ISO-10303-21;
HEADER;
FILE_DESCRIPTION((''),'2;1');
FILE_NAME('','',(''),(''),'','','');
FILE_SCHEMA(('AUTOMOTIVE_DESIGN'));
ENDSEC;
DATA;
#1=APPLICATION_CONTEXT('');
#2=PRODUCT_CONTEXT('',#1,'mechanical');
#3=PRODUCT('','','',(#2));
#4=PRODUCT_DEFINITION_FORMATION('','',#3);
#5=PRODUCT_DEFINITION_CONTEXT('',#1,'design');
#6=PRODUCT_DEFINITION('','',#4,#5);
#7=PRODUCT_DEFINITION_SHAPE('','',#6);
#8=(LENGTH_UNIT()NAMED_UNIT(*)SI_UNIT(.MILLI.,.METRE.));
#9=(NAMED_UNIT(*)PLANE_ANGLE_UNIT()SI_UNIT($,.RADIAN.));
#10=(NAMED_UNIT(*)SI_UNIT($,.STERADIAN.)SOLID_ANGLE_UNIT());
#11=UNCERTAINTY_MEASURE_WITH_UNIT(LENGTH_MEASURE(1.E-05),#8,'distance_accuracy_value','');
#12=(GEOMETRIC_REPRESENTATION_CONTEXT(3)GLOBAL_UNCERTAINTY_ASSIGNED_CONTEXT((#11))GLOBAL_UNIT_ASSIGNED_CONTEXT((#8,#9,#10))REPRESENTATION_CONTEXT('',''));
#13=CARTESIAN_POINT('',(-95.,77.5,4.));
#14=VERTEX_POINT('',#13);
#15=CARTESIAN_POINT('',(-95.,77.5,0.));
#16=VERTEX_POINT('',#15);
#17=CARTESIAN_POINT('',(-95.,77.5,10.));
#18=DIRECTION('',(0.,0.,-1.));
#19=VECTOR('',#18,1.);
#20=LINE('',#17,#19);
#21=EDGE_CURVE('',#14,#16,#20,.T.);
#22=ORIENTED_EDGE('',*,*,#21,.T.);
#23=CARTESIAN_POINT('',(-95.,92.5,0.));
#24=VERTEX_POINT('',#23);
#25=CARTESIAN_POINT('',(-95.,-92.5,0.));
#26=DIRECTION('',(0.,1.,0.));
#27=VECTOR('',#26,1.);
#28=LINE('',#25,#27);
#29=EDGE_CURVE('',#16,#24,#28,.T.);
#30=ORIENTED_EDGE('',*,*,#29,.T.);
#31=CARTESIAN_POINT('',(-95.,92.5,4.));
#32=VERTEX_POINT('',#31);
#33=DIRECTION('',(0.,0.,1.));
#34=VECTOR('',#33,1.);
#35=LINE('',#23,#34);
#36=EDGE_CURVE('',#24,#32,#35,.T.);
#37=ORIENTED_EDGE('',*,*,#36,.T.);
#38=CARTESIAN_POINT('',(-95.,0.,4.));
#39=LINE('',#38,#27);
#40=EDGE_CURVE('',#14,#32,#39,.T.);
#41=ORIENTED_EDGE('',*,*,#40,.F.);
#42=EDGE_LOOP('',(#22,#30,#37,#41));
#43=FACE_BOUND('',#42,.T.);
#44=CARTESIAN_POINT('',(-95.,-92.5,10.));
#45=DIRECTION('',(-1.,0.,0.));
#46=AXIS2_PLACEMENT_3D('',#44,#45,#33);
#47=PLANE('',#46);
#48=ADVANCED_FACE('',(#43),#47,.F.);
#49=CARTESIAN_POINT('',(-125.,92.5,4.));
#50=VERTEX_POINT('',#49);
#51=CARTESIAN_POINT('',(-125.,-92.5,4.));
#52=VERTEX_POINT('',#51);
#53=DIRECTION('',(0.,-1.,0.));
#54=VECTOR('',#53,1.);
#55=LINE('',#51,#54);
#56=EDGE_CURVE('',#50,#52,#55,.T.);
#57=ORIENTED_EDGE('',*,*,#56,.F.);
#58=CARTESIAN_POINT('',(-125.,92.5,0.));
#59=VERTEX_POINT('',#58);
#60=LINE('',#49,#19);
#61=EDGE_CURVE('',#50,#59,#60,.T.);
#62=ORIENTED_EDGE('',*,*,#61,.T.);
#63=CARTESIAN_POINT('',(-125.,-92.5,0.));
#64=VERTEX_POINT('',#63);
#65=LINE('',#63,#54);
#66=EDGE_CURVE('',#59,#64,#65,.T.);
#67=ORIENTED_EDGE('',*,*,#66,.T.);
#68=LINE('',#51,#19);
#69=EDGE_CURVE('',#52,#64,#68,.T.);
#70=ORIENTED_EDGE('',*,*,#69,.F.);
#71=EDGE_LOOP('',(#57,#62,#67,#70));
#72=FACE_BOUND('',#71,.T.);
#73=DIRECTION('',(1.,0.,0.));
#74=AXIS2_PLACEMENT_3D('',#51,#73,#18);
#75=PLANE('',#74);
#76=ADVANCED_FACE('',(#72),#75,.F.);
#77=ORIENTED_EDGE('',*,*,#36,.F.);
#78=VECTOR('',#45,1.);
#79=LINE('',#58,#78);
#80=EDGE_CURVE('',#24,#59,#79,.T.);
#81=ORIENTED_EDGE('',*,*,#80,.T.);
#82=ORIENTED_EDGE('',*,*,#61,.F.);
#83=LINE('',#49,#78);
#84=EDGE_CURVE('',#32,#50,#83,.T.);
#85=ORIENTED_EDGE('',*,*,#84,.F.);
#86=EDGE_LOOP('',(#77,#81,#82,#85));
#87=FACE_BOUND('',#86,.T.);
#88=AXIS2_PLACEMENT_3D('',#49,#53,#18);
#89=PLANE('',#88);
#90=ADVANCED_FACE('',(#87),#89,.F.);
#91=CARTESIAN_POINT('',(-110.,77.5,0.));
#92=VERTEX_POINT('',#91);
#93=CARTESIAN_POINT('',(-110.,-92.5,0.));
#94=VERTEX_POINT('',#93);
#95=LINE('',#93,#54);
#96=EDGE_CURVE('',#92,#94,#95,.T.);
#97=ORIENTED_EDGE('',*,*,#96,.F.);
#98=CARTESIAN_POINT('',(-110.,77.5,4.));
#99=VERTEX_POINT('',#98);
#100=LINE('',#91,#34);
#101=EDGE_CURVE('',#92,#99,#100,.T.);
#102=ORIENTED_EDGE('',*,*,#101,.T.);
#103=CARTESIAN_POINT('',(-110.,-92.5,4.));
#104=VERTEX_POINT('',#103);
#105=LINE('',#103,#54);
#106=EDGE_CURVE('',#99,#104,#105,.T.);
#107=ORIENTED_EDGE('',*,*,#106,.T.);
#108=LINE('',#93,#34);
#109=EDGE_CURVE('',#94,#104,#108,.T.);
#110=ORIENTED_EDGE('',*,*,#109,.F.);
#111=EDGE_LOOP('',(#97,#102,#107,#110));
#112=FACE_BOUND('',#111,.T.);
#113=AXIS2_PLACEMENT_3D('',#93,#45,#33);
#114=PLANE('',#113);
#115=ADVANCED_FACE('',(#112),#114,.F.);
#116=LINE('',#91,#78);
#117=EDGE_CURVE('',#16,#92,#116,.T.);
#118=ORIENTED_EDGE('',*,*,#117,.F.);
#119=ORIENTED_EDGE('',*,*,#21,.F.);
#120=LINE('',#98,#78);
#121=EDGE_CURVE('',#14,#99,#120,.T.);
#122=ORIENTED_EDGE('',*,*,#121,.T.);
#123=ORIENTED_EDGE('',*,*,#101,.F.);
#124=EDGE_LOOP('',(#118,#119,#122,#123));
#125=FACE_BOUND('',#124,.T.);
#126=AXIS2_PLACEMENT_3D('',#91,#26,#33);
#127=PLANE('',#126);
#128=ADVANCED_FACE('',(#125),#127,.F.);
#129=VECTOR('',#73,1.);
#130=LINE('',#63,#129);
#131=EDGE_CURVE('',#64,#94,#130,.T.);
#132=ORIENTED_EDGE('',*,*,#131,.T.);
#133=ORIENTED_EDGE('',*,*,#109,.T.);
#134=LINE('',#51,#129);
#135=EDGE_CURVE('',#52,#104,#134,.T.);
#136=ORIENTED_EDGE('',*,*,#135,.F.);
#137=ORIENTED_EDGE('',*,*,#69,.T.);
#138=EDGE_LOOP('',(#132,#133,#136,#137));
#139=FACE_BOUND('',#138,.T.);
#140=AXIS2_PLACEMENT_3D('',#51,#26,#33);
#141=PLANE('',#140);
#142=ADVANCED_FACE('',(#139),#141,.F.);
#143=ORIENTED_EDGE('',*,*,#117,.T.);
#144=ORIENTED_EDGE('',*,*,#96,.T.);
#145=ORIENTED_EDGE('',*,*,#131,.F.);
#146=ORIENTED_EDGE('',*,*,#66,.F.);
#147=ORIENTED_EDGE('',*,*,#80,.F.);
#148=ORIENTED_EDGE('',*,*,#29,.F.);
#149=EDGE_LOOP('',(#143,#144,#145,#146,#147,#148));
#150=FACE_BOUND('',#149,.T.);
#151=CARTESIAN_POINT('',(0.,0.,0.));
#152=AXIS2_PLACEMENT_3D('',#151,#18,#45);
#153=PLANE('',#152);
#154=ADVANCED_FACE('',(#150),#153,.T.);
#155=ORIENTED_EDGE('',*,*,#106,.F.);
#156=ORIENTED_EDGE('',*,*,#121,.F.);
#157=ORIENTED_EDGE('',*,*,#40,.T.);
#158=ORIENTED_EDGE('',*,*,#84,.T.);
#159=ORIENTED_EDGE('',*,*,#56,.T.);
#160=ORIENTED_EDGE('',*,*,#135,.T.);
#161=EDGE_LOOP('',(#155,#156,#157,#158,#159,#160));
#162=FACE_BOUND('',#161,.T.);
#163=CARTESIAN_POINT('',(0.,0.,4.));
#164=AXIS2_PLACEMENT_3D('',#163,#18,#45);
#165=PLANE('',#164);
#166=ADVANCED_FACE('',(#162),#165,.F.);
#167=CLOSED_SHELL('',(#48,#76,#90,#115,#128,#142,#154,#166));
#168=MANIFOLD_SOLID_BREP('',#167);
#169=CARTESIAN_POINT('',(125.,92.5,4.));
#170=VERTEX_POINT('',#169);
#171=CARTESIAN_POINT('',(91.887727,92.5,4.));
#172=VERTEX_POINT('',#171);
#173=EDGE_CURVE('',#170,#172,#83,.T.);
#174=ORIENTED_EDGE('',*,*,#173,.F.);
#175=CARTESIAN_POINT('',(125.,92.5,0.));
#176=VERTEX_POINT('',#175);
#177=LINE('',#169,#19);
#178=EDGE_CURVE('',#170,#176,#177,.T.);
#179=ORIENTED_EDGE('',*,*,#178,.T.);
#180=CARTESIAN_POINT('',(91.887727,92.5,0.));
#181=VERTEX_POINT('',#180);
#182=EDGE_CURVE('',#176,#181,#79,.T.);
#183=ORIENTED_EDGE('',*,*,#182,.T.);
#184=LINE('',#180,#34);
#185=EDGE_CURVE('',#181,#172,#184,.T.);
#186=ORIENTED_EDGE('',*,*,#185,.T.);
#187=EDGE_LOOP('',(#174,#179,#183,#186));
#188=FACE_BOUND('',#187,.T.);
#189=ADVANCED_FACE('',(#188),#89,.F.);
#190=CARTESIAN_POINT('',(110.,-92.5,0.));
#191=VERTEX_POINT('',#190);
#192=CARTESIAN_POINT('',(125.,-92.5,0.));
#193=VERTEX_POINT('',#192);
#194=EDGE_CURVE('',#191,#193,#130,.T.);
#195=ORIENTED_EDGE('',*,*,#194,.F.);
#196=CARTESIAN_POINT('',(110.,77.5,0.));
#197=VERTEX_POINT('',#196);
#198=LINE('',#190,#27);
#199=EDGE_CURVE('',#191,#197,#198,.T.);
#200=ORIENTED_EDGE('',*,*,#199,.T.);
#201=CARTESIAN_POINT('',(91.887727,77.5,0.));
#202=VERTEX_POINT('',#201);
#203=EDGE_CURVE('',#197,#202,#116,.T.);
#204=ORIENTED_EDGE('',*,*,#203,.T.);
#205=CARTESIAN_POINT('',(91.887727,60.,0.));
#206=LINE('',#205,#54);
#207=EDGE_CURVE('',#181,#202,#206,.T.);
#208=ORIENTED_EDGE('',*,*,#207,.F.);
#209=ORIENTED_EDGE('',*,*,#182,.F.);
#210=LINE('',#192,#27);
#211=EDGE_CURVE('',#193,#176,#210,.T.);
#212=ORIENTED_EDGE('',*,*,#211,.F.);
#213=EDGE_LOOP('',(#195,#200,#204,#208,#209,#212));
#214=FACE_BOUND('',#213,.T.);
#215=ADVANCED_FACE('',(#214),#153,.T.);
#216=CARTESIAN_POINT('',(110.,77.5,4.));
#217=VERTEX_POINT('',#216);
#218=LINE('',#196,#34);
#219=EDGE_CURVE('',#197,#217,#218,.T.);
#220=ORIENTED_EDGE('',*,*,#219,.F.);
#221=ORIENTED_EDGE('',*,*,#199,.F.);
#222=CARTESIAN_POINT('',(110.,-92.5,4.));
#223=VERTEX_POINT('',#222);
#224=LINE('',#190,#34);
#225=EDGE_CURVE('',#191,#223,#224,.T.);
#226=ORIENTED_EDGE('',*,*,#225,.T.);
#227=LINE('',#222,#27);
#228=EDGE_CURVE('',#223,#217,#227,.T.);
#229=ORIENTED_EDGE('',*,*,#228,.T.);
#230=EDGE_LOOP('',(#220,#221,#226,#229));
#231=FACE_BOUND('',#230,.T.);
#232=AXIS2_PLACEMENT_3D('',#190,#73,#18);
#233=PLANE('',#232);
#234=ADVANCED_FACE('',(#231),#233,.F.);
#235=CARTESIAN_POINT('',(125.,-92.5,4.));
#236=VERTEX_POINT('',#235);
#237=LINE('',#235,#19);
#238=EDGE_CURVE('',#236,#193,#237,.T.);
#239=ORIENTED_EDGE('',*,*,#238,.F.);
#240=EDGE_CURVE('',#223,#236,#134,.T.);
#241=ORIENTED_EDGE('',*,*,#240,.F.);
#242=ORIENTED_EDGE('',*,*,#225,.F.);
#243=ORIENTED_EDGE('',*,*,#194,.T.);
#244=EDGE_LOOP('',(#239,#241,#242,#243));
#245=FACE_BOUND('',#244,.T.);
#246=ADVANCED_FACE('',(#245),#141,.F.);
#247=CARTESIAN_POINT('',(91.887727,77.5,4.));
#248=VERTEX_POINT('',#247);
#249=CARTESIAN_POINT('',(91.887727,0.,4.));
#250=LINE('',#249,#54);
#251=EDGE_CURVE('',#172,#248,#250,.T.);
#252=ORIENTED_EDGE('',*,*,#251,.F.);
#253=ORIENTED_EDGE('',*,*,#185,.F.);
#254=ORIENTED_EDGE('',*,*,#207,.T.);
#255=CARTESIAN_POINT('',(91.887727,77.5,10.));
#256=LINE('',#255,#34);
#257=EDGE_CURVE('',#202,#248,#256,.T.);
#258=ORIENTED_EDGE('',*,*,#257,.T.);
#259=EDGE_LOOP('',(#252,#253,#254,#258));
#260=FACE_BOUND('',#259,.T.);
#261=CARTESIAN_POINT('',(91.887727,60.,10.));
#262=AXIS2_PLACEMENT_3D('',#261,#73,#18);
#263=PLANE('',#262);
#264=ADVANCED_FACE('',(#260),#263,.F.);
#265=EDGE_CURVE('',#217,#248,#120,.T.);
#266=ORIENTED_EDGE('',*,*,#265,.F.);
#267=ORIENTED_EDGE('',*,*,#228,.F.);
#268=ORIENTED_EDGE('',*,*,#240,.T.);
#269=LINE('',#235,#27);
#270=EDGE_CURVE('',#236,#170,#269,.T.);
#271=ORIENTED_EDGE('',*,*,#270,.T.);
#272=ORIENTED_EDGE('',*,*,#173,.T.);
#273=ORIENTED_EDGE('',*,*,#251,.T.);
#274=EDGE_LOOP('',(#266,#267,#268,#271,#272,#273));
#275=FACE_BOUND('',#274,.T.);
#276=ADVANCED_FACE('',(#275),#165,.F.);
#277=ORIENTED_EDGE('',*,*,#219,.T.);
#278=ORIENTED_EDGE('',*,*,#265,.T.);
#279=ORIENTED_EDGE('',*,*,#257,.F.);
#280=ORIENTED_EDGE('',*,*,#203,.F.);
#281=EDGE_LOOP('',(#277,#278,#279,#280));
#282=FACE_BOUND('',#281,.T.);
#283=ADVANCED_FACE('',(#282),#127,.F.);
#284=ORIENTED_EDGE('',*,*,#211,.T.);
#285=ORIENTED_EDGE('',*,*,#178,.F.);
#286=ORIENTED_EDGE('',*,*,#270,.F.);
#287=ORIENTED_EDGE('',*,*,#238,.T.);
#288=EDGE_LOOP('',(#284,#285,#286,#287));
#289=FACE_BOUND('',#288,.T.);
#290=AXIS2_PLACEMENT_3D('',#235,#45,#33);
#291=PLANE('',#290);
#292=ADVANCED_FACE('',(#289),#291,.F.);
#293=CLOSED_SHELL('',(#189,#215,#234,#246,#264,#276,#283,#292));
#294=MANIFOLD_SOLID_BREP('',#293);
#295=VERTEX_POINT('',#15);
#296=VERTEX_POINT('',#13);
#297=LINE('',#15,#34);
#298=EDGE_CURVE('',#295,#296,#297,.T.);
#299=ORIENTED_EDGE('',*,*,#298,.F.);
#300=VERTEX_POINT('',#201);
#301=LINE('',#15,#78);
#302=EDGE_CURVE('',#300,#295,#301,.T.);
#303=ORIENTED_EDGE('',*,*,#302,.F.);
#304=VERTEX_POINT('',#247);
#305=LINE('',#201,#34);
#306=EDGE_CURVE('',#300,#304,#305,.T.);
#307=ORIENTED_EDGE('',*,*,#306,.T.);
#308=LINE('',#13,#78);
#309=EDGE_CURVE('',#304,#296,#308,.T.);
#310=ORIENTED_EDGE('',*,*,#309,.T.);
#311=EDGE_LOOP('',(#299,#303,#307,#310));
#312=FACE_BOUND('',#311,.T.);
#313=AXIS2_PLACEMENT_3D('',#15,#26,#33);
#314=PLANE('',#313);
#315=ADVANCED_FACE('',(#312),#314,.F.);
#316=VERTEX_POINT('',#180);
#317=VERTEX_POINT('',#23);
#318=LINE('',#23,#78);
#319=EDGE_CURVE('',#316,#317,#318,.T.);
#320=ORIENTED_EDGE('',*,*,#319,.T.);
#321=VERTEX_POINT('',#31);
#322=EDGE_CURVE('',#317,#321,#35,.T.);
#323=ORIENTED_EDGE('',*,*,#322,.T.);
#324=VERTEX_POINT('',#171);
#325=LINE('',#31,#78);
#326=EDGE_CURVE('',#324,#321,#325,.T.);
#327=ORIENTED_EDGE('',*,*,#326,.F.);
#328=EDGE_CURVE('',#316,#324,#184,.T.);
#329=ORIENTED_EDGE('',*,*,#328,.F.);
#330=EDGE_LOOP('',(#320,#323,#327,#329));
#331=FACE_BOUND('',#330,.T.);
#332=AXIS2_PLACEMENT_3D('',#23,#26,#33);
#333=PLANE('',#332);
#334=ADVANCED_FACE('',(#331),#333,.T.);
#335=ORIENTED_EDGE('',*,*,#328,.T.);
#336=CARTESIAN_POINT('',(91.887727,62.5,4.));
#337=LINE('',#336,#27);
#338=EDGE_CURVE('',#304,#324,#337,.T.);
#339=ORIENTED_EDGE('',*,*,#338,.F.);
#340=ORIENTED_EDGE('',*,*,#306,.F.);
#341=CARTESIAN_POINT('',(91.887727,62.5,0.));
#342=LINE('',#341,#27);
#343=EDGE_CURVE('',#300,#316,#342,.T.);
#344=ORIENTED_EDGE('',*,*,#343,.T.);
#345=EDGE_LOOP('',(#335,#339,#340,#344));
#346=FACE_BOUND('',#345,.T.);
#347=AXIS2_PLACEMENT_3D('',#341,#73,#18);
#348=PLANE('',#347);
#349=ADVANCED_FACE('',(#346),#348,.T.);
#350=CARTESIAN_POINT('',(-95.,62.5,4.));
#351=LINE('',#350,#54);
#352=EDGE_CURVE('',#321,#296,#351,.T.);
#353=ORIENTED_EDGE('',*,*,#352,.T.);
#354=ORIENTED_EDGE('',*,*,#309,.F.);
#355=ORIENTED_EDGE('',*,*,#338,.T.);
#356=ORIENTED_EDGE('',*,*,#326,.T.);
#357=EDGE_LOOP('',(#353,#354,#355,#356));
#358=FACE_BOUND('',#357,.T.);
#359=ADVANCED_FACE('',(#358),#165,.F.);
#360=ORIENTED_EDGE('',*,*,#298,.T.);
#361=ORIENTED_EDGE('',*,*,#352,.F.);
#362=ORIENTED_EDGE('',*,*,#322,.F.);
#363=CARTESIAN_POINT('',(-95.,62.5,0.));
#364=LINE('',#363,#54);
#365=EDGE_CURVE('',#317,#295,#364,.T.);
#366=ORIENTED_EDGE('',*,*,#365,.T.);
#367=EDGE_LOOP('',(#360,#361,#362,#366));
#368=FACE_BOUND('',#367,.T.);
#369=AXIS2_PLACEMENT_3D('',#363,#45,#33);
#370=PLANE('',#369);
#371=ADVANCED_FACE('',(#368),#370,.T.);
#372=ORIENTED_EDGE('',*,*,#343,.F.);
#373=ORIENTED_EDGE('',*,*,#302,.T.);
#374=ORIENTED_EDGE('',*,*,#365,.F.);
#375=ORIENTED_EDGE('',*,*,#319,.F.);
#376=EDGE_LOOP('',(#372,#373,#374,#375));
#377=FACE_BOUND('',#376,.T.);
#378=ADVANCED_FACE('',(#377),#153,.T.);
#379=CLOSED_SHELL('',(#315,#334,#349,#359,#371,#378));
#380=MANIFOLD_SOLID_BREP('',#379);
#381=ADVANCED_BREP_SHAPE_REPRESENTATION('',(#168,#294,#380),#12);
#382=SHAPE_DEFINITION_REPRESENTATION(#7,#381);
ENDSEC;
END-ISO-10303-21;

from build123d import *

# Parameters (mm, degrees)
SKETCH1_W           = 250
SKETCH1_H           = 185
BOSS_EXTRUDE1_DEPTH = 4
SKETCH2_W           = 186.887727078
SKETCH2_H           = 152.5
CUT_EXTRUDE2_DEPTH  = 10
SKETCH3_W           = 186.887727078
SKETCH3_H           = 32.5
BOSS_EXTRUDE2_DEPTH = 4
SKETCH4_W           = 186.887727078
SKETCH4_H           = 32.5
CUT_EXTRUDE3_DEPTH  = 4
SKETCH5_W           = 186.887727078
SKETCH5_H           = 30
BOSS_EXTRUDE3_DEPTH = 4
SKETCH6_W           = 220
SKETCH6_H           = 170
CUT_EXTRUDE5_DEPTH  = 4
SKETCH7_W           = 186.887727078
SKETCH7_H           = 15
CUT_EXTRUDE6_DEPTH  = 4


with BuildPart() as part:
    # Sketch1 → Boss-Extrude1 (new body)
    with BuildSketch(Plane.XY):
        Rectangle(SKETCH1_W, SKETCH1_H)
    extrude(amount=BOSS_EXTRUDE1_DEPTH)

    # Sketch2 → Cut-Extrude2 (cut)
    with BuildSketch(Plane(origin=(0, 0, 0), x_dir=(-1, 0, 0), z_dir=(0, 0, -1))):
        with Locations((1.556136461, -16.25)):
            Rectangle(SKETCH2_W, SKETCH2_H)
    extrude(amount=-CUT_EXTRUDE2_DEPTH, mode=Mode.SUBTRACT)

    # Sketch3 → Boss-Extrude2 (add)
    with BuildSketch(Plane.XY.offset(4)):
        with Locations((-1.556136461, -76.25)):
            Rectangle(SKETCH3_W, SKETCH3_H)
    extrude(amount=-BOSS_EXTRUDE2_DEPTH)

    # Sketch4 → Cut-Extrude3 (cut)
    with BuildSketch(Plane.XY.offset(4)):
        with Locations((-1.556136461, 76.25)):
            Rectangle(SKETCH4_W, SKETCH4_H)
    extrude(amount=-CUT_EXTRUDE3_DEPTH, mode=Mode.SUBTRACT)

    # Sketch6 → Cut-Extrude5 (cut)
    with BuildSketch(Plane.XY.offset(4)):
        with Locations((0, -7.5)):
            Rectangle(SKETCH6_W, SKETCH6_H)
    extrude(amount=-CUT_EXTRUDE5_DEPTH, mode=Mode.SUBTRACT)


with BuildPart() as body_2:
    # Sketch5 → Boss-Extrude3 (new body)
    with BuildSketch(Plane.XY.offset(4)):
        with Locations((-1.556136461, 77.5)):
            Rectangle(SKETCH5_W, SKETCH5_H)
    extrude(amount=-BOSS_EXTRUDE3_DEPTH)

    # Sketch7 → Cut-Extrude6 (cut)
    with BuildSketch(Plane.XY.offset(4)):
        with Locations((-1.556136461, 70)):
            Rectangle(SKETCH7_W, SKETCH7_H)
    extrude(amount=-CUT_EXTRUDE6_DEPTH, mode=Mode.SUBTRACT)


with BuildPart() as cut_extrude5_piece_1:
    # of the separate pieces the step leaves, piece 1, a body of its own (cut_extrude5_pieces)
    add(part.part.solids().sort_by_distance((110, -92.5, 0))[0])


with BuildPart() as cut_extrude5_piece_2:
    # of the separate pieces the step leaves, piece 2, a body of its own (cut_extrude5_pieces)
    add(part.part.solids().sort_by_distance((-125, -92.5, 0))[0])


solid = Compound([body_2.part, cut_extrude5_piece_1.part, cut_extrude5_piece_2.part])
